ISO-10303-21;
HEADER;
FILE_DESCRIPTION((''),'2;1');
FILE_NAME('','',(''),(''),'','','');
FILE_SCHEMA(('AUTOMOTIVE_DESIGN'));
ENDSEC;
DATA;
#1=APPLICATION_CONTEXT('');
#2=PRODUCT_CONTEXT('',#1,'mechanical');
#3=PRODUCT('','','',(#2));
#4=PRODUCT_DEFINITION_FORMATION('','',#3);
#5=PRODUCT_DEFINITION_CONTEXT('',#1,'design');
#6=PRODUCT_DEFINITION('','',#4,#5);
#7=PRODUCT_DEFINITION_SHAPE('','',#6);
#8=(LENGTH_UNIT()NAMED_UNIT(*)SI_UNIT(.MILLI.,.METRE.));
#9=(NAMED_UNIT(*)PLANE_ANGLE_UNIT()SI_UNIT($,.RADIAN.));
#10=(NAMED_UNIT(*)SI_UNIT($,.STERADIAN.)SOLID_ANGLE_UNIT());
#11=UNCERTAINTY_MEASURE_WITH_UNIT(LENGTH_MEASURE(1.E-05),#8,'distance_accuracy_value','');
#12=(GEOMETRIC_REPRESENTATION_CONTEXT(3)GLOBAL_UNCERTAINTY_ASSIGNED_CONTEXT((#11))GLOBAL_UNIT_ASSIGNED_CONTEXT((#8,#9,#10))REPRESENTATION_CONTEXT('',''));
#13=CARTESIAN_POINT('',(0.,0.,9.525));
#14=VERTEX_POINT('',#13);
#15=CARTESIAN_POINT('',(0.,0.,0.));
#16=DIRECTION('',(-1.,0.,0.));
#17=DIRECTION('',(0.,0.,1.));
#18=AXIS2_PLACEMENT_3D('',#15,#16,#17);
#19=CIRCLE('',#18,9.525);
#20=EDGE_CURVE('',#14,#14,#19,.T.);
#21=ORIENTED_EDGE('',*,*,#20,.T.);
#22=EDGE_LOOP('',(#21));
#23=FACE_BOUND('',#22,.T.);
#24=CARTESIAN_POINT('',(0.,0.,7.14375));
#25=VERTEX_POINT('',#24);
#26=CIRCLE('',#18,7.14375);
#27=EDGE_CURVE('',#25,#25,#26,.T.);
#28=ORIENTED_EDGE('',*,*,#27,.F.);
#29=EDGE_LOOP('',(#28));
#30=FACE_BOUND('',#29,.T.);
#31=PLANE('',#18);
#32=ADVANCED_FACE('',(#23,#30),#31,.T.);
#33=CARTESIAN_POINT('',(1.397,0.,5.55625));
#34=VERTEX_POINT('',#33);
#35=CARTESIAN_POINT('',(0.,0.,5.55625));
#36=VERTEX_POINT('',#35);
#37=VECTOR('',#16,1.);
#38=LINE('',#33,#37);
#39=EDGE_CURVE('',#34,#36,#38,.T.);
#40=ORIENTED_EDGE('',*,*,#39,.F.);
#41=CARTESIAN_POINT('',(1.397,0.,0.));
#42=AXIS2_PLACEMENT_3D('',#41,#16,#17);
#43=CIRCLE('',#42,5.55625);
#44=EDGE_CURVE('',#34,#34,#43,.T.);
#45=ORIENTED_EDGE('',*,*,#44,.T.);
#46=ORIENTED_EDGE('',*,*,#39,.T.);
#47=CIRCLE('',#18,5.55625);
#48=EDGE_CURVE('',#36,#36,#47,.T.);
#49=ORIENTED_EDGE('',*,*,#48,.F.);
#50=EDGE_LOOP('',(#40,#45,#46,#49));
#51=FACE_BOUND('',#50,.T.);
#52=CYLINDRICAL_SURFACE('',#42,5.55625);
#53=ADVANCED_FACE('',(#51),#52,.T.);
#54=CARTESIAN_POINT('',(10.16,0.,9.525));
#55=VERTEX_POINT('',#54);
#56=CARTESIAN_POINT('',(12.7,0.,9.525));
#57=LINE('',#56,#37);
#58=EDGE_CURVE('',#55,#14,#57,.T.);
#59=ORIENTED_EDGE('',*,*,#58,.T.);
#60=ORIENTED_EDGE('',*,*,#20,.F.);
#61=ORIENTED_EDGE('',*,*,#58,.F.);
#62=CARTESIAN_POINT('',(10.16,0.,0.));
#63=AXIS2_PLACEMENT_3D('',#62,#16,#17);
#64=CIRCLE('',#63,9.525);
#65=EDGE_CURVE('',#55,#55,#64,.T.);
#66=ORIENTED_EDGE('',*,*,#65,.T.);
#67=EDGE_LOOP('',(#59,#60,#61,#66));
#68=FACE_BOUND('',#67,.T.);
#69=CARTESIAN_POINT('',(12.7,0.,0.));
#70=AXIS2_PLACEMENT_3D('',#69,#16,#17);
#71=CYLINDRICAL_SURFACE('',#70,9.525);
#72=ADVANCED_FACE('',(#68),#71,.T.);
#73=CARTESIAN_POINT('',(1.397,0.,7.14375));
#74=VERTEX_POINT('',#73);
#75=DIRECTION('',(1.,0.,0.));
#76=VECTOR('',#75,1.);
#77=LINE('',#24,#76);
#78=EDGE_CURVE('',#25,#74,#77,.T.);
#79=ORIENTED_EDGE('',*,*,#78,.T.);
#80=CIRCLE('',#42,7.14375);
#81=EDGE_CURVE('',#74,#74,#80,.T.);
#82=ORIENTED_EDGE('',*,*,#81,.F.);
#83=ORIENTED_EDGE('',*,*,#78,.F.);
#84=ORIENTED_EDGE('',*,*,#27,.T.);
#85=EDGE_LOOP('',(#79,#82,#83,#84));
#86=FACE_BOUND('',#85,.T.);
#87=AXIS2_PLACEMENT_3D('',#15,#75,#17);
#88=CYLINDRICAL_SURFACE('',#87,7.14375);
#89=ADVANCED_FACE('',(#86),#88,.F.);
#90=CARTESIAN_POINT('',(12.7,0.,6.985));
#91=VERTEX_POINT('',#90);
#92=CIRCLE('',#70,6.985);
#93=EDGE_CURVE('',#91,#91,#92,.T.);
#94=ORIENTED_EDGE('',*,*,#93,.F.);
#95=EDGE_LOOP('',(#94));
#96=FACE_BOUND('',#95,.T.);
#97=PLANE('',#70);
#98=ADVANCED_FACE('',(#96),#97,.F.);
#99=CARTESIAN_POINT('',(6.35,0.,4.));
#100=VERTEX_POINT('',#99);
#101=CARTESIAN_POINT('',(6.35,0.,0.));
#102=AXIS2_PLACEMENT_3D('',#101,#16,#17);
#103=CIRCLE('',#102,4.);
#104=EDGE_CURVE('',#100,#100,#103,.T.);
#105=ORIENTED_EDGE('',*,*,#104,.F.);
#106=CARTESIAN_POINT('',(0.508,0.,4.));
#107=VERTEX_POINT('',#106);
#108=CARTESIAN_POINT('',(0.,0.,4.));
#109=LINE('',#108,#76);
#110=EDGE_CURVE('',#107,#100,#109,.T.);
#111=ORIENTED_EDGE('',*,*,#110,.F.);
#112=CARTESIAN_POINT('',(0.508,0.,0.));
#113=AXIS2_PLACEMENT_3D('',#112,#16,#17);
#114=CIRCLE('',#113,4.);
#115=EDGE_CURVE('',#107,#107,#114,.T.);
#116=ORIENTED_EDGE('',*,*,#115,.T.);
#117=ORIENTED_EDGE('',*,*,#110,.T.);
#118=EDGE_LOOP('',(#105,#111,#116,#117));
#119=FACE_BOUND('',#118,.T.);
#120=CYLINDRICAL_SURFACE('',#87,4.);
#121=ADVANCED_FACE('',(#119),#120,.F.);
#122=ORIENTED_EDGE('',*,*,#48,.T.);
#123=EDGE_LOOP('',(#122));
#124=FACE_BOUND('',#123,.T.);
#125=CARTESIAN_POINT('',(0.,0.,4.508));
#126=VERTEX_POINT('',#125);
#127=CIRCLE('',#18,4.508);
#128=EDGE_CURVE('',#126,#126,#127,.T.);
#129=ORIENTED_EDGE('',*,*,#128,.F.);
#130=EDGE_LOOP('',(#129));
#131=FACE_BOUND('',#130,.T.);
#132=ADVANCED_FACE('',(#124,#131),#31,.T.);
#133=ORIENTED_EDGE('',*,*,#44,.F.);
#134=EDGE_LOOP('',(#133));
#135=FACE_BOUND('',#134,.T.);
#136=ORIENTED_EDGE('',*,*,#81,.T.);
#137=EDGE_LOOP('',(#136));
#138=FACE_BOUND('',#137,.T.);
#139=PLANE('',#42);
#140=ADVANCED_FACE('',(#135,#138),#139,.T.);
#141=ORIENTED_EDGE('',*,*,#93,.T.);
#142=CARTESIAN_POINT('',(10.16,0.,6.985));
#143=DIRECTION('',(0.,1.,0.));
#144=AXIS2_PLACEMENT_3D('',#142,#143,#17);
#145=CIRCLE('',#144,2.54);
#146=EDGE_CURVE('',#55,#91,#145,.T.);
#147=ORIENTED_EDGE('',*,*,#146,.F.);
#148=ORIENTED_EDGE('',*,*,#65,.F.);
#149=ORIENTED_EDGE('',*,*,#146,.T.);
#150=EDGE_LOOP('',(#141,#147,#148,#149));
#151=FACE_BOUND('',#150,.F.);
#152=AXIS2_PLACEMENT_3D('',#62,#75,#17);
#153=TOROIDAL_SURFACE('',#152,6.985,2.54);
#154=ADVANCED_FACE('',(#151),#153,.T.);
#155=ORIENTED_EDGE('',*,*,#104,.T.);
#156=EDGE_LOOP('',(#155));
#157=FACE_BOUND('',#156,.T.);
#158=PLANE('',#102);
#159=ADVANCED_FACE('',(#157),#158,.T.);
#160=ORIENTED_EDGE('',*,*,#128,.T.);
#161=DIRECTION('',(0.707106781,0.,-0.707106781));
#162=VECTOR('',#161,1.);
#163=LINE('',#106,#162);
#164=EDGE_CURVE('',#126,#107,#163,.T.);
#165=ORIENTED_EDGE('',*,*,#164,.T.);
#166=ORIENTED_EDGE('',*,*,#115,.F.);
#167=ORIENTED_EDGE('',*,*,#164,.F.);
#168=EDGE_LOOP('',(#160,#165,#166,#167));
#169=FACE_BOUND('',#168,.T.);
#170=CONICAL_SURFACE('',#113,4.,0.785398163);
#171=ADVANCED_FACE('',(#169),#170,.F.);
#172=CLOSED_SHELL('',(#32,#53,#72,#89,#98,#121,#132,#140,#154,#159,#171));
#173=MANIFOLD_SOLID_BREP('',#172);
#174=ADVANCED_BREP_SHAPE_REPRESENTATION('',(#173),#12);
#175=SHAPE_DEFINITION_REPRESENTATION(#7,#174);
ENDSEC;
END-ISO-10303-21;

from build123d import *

# Parameters (mm, degrees)
F2_SIZE = 0.508
F3_R    = 2.54


with BuildPart() as f1:
    # F0 (on Front) → F1 (revolve)
    with BuildSketch(Plane.XZ):
        Polygon((0, 5.55625), (0, 4), (6.35, 4), (6.35, 0), (12.7, 0), (12.7, 9.525), (0, 9.525), (0, 7.14375), (1.397, 7.14375), (1.397, 5.55625), align=None)
    revolve(axis=Axis((9.525, 0, 0), (-1, 0, 0)))

    # F2
    f2_edges = [f1.edges().sort_by_distance(p)[0] for p in [
        (0, 0, -4),
    ]]
    chamfer(f2_edges, length=F2_SIZE)

    # F3
    f3_edges = [f1.edges().sort_by_distance(p)[0] for p in [
        (12.7, 0, -9.525),
    ]]
    fillet(f3_edges, radius=F3_R)


solid = f1.part
